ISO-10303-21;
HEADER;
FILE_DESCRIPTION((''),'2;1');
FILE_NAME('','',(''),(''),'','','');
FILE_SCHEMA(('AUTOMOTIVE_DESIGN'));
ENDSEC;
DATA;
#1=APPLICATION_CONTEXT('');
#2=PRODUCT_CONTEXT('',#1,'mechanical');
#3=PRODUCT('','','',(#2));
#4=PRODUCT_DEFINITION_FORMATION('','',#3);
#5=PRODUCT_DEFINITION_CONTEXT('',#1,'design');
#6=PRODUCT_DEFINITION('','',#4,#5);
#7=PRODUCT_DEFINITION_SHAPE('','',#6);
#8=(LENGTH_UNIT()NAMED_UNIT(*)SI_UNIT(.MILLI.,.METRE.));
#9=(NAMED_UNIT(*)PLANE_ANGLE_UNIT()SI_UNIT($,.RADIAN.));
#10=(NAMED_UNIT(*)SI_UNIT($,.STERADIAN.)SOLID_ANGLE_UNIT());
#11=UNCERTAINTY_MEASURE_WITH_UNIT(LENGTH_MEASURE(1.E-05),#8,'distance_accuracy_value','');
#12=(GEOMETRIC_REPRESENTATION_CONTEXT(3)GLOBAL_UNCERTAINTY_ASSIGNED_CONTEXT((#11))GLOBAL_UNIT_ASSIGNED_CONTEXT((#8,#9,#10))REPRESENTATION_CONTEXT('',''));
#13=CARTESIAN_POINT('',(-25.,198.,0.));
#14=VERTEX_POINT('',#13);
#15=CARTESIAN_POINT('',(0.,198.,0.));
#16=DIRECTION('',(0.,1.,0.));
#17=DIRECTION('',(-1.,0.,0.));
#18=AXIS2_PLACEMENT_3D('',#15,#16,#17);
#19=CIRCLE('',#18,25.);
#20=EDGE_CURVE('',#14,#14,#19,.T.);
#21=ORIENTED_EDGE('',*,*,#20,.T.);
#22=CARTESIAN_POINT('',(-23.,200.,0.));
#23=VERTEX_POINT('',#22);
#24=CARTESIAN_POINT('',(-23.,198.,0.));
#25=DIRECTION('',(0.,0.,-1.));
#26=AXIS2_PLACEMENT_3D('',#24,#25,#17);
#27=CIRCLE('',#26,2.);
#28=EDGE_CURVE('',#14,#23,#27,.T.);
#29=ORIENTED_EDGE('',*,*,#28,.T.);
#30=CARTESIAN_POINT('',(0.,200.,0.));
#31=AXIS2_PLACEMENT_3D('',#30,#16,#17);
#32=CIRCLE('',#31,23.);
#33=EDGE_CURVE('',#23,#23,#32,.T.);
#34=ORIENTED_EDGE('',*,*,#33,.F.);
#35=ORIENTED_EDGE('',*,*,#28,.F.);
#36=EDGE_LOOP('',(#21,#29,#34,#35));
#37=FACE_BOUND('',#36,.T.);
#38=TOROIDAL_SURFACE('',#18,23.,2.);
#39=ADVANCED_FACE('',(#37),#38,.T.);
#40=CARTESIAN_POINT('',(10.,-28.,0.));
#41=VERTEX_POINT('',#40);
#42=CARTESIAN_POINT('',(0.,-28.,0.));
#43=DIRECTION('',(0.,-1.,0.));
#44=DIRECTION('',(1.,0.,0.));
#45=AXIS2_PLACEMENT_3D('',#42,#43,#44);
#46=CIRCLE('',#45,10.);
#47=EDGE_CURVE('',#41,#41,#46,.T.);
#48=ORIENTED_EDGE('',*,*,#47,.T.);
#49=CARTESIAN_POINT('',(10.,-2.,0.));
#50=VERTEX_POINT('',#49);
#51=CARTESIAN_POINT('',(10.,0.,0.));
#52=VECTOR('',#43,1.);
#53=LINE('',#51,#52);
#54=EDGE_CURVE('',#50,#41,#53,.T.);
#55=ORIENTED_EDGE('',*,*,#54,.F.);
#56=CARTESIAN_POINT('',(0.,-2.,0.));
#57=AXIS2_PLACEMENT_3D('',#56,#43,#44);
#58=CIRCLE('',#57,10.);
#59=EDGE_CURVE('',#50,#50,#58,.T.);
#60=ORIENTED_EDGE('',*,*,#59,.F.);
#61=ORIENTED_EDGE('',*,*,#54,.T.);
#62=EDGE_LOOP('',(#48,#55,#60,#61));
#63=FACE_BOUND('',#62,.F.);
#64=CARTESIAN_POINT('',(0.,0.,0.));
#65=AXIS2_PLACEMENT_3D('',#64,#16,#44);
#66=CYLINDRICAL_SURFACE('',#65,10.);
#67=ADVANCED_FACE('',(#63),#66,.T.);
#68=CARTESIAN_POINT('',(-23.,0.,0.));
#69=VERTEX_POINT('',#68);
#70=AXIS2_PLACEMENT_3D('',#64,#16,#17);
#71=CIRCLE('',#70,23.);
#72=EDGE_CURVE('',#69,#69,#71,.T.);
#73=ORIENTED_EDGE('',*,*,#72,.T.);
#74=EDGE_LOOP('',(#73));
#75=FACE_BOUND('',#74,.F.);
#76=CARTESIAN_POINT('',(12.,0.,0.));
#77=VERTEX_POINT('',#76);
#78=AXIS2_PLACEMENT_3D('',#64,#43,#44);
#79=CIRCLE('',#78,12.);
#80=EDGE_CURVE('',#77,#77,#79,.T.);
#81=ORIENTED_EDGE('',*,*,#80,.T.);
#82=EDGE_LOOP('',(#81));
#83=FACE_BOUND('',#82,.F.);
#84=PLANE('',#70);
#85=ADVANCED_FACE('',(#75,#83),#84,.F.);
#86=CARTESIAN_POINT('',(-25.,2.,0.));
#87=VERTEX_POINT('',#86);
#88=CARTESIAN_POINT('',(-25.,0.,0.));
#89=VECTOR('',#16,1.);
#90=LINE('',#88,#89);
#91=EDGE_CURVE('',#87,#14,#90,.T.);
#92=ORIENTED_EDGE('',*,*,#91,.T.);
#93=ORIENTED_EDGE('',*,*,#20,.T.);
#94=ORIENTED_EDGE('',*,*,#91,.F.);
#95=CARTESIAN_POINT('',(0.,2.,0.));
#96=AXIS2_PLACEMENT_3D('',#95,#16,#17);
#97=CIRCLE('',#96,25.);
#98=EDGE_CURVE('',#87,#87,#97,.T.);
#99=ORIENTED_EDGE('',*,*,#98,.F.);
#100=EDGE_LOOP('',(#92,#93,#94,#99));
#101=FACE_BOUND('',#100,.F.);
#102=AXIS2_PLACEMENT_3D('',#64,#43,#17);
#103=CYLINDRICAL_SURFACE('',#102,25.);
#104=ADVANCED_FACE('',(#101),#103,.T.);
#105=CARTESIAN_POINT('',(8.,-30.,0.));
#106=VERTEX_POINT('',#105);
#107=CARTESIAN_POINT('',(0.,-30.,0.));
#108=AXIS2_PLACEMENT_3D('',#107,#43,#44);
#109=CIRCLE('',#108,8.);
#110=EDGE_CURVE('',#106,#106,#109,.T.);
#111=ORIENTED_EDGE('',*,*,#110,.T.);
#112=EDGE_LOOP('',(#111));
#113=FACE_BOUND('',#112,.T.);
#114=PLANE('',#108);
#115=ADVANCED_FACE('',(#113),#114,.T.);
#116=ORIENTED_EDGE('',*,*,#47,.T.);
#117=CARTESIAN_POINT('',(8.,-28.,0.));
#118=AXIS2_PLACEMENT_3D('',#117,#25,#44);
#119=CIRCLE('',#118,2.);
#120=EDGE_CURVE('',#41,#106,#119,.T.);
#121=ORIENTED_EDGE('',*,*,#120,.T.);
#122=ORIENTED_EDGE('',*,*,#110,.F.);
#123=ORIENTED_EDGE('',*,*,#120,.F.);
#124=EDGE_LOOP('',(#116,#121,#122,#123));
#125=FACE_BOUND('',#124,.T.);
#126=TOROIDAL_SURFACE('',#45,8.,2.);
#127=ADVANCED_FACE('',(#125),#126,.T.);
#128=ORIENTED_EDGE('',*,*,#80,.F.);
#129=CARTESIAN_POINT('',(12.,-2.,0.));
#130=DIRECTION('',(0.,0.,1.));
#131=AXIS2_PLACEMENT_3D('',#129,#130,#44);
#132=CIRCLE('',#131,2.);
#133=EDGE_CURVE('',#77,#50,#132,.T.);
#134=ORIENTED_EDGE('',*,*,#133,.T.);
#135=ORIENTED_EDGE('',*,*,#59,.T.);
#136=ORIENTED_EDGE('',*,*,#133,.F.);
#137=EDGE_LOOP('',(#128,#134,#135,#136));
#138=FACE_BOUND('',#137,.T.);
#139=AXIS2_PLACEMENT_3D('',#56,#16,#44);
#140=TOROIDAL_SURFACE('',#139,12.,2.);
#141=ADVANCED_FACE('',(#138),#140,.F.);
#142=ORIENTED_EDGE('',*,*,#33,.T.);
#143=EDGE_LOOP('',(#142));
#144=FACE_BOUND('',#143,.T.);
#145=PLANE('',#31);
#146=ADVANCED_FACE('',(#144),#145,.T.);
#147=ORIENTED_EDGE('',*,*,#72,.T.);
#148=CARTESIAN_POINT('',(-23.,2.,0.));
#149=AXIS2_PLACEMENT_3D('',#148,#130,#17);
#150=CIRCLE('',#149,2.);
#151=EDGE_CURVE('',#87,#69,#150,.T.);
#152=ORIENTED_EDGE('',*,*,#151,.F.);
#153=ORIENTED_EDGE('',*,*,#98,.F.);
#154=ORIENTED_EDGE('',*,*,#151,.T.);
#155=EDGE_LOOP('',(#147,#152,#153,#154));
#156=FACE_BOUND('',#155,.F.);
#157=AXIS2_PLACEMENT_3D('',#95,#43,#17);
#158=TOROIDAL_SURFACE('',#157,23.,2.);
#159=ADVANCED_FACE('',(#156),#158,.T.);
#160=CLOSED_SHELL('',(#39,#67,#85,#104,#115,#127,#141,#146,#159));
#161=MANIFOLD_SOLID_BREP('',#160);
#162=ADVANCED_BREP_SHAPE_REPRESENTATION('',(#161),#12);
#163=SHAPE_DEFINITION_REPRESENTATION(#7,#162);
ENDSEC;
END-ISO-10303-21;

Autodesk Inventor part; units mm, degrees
ref_plane "YZ Plane" through (0, 0, 0) normal (1, 0, 0) x (0, 1, 0)
ref_plane "XZ Plane" through (0, 0, 0) normal (0, 1, 0) x (-1, 0, 0)
ref_plane "XY Plane" through (0, 0, 0) normal (0, 0, 1) x (1, 0, 0)
sketch "Sketch2" plane through (0, 0, 0) normal (0, 1, 0) x (-1, 0, 0)
  circle A0 centre (0, 0) radius 25
  dimension "d0" = 50
extrude "Extrusion1" add sketch "Sketch2" along normal blind 200
sketch "Sketch3" plane through (0, 0, 0) normal (0, -1, 0) x (1, 0, 0)
  circle A0 centre (0, 0) radius 10
  dimension "d3" = 20
extrude "Extrusion2" add sketch "Sketch3" along normal blind 30
fillet "Fillet1" radius 2 3 edges at (25, 0, 0) (-10, -30, 0) (-10, 0, 0)
fillet "Fillet2" radius 2 1 edges at (25, 200, 0)
properties part number "plasmatorch"
